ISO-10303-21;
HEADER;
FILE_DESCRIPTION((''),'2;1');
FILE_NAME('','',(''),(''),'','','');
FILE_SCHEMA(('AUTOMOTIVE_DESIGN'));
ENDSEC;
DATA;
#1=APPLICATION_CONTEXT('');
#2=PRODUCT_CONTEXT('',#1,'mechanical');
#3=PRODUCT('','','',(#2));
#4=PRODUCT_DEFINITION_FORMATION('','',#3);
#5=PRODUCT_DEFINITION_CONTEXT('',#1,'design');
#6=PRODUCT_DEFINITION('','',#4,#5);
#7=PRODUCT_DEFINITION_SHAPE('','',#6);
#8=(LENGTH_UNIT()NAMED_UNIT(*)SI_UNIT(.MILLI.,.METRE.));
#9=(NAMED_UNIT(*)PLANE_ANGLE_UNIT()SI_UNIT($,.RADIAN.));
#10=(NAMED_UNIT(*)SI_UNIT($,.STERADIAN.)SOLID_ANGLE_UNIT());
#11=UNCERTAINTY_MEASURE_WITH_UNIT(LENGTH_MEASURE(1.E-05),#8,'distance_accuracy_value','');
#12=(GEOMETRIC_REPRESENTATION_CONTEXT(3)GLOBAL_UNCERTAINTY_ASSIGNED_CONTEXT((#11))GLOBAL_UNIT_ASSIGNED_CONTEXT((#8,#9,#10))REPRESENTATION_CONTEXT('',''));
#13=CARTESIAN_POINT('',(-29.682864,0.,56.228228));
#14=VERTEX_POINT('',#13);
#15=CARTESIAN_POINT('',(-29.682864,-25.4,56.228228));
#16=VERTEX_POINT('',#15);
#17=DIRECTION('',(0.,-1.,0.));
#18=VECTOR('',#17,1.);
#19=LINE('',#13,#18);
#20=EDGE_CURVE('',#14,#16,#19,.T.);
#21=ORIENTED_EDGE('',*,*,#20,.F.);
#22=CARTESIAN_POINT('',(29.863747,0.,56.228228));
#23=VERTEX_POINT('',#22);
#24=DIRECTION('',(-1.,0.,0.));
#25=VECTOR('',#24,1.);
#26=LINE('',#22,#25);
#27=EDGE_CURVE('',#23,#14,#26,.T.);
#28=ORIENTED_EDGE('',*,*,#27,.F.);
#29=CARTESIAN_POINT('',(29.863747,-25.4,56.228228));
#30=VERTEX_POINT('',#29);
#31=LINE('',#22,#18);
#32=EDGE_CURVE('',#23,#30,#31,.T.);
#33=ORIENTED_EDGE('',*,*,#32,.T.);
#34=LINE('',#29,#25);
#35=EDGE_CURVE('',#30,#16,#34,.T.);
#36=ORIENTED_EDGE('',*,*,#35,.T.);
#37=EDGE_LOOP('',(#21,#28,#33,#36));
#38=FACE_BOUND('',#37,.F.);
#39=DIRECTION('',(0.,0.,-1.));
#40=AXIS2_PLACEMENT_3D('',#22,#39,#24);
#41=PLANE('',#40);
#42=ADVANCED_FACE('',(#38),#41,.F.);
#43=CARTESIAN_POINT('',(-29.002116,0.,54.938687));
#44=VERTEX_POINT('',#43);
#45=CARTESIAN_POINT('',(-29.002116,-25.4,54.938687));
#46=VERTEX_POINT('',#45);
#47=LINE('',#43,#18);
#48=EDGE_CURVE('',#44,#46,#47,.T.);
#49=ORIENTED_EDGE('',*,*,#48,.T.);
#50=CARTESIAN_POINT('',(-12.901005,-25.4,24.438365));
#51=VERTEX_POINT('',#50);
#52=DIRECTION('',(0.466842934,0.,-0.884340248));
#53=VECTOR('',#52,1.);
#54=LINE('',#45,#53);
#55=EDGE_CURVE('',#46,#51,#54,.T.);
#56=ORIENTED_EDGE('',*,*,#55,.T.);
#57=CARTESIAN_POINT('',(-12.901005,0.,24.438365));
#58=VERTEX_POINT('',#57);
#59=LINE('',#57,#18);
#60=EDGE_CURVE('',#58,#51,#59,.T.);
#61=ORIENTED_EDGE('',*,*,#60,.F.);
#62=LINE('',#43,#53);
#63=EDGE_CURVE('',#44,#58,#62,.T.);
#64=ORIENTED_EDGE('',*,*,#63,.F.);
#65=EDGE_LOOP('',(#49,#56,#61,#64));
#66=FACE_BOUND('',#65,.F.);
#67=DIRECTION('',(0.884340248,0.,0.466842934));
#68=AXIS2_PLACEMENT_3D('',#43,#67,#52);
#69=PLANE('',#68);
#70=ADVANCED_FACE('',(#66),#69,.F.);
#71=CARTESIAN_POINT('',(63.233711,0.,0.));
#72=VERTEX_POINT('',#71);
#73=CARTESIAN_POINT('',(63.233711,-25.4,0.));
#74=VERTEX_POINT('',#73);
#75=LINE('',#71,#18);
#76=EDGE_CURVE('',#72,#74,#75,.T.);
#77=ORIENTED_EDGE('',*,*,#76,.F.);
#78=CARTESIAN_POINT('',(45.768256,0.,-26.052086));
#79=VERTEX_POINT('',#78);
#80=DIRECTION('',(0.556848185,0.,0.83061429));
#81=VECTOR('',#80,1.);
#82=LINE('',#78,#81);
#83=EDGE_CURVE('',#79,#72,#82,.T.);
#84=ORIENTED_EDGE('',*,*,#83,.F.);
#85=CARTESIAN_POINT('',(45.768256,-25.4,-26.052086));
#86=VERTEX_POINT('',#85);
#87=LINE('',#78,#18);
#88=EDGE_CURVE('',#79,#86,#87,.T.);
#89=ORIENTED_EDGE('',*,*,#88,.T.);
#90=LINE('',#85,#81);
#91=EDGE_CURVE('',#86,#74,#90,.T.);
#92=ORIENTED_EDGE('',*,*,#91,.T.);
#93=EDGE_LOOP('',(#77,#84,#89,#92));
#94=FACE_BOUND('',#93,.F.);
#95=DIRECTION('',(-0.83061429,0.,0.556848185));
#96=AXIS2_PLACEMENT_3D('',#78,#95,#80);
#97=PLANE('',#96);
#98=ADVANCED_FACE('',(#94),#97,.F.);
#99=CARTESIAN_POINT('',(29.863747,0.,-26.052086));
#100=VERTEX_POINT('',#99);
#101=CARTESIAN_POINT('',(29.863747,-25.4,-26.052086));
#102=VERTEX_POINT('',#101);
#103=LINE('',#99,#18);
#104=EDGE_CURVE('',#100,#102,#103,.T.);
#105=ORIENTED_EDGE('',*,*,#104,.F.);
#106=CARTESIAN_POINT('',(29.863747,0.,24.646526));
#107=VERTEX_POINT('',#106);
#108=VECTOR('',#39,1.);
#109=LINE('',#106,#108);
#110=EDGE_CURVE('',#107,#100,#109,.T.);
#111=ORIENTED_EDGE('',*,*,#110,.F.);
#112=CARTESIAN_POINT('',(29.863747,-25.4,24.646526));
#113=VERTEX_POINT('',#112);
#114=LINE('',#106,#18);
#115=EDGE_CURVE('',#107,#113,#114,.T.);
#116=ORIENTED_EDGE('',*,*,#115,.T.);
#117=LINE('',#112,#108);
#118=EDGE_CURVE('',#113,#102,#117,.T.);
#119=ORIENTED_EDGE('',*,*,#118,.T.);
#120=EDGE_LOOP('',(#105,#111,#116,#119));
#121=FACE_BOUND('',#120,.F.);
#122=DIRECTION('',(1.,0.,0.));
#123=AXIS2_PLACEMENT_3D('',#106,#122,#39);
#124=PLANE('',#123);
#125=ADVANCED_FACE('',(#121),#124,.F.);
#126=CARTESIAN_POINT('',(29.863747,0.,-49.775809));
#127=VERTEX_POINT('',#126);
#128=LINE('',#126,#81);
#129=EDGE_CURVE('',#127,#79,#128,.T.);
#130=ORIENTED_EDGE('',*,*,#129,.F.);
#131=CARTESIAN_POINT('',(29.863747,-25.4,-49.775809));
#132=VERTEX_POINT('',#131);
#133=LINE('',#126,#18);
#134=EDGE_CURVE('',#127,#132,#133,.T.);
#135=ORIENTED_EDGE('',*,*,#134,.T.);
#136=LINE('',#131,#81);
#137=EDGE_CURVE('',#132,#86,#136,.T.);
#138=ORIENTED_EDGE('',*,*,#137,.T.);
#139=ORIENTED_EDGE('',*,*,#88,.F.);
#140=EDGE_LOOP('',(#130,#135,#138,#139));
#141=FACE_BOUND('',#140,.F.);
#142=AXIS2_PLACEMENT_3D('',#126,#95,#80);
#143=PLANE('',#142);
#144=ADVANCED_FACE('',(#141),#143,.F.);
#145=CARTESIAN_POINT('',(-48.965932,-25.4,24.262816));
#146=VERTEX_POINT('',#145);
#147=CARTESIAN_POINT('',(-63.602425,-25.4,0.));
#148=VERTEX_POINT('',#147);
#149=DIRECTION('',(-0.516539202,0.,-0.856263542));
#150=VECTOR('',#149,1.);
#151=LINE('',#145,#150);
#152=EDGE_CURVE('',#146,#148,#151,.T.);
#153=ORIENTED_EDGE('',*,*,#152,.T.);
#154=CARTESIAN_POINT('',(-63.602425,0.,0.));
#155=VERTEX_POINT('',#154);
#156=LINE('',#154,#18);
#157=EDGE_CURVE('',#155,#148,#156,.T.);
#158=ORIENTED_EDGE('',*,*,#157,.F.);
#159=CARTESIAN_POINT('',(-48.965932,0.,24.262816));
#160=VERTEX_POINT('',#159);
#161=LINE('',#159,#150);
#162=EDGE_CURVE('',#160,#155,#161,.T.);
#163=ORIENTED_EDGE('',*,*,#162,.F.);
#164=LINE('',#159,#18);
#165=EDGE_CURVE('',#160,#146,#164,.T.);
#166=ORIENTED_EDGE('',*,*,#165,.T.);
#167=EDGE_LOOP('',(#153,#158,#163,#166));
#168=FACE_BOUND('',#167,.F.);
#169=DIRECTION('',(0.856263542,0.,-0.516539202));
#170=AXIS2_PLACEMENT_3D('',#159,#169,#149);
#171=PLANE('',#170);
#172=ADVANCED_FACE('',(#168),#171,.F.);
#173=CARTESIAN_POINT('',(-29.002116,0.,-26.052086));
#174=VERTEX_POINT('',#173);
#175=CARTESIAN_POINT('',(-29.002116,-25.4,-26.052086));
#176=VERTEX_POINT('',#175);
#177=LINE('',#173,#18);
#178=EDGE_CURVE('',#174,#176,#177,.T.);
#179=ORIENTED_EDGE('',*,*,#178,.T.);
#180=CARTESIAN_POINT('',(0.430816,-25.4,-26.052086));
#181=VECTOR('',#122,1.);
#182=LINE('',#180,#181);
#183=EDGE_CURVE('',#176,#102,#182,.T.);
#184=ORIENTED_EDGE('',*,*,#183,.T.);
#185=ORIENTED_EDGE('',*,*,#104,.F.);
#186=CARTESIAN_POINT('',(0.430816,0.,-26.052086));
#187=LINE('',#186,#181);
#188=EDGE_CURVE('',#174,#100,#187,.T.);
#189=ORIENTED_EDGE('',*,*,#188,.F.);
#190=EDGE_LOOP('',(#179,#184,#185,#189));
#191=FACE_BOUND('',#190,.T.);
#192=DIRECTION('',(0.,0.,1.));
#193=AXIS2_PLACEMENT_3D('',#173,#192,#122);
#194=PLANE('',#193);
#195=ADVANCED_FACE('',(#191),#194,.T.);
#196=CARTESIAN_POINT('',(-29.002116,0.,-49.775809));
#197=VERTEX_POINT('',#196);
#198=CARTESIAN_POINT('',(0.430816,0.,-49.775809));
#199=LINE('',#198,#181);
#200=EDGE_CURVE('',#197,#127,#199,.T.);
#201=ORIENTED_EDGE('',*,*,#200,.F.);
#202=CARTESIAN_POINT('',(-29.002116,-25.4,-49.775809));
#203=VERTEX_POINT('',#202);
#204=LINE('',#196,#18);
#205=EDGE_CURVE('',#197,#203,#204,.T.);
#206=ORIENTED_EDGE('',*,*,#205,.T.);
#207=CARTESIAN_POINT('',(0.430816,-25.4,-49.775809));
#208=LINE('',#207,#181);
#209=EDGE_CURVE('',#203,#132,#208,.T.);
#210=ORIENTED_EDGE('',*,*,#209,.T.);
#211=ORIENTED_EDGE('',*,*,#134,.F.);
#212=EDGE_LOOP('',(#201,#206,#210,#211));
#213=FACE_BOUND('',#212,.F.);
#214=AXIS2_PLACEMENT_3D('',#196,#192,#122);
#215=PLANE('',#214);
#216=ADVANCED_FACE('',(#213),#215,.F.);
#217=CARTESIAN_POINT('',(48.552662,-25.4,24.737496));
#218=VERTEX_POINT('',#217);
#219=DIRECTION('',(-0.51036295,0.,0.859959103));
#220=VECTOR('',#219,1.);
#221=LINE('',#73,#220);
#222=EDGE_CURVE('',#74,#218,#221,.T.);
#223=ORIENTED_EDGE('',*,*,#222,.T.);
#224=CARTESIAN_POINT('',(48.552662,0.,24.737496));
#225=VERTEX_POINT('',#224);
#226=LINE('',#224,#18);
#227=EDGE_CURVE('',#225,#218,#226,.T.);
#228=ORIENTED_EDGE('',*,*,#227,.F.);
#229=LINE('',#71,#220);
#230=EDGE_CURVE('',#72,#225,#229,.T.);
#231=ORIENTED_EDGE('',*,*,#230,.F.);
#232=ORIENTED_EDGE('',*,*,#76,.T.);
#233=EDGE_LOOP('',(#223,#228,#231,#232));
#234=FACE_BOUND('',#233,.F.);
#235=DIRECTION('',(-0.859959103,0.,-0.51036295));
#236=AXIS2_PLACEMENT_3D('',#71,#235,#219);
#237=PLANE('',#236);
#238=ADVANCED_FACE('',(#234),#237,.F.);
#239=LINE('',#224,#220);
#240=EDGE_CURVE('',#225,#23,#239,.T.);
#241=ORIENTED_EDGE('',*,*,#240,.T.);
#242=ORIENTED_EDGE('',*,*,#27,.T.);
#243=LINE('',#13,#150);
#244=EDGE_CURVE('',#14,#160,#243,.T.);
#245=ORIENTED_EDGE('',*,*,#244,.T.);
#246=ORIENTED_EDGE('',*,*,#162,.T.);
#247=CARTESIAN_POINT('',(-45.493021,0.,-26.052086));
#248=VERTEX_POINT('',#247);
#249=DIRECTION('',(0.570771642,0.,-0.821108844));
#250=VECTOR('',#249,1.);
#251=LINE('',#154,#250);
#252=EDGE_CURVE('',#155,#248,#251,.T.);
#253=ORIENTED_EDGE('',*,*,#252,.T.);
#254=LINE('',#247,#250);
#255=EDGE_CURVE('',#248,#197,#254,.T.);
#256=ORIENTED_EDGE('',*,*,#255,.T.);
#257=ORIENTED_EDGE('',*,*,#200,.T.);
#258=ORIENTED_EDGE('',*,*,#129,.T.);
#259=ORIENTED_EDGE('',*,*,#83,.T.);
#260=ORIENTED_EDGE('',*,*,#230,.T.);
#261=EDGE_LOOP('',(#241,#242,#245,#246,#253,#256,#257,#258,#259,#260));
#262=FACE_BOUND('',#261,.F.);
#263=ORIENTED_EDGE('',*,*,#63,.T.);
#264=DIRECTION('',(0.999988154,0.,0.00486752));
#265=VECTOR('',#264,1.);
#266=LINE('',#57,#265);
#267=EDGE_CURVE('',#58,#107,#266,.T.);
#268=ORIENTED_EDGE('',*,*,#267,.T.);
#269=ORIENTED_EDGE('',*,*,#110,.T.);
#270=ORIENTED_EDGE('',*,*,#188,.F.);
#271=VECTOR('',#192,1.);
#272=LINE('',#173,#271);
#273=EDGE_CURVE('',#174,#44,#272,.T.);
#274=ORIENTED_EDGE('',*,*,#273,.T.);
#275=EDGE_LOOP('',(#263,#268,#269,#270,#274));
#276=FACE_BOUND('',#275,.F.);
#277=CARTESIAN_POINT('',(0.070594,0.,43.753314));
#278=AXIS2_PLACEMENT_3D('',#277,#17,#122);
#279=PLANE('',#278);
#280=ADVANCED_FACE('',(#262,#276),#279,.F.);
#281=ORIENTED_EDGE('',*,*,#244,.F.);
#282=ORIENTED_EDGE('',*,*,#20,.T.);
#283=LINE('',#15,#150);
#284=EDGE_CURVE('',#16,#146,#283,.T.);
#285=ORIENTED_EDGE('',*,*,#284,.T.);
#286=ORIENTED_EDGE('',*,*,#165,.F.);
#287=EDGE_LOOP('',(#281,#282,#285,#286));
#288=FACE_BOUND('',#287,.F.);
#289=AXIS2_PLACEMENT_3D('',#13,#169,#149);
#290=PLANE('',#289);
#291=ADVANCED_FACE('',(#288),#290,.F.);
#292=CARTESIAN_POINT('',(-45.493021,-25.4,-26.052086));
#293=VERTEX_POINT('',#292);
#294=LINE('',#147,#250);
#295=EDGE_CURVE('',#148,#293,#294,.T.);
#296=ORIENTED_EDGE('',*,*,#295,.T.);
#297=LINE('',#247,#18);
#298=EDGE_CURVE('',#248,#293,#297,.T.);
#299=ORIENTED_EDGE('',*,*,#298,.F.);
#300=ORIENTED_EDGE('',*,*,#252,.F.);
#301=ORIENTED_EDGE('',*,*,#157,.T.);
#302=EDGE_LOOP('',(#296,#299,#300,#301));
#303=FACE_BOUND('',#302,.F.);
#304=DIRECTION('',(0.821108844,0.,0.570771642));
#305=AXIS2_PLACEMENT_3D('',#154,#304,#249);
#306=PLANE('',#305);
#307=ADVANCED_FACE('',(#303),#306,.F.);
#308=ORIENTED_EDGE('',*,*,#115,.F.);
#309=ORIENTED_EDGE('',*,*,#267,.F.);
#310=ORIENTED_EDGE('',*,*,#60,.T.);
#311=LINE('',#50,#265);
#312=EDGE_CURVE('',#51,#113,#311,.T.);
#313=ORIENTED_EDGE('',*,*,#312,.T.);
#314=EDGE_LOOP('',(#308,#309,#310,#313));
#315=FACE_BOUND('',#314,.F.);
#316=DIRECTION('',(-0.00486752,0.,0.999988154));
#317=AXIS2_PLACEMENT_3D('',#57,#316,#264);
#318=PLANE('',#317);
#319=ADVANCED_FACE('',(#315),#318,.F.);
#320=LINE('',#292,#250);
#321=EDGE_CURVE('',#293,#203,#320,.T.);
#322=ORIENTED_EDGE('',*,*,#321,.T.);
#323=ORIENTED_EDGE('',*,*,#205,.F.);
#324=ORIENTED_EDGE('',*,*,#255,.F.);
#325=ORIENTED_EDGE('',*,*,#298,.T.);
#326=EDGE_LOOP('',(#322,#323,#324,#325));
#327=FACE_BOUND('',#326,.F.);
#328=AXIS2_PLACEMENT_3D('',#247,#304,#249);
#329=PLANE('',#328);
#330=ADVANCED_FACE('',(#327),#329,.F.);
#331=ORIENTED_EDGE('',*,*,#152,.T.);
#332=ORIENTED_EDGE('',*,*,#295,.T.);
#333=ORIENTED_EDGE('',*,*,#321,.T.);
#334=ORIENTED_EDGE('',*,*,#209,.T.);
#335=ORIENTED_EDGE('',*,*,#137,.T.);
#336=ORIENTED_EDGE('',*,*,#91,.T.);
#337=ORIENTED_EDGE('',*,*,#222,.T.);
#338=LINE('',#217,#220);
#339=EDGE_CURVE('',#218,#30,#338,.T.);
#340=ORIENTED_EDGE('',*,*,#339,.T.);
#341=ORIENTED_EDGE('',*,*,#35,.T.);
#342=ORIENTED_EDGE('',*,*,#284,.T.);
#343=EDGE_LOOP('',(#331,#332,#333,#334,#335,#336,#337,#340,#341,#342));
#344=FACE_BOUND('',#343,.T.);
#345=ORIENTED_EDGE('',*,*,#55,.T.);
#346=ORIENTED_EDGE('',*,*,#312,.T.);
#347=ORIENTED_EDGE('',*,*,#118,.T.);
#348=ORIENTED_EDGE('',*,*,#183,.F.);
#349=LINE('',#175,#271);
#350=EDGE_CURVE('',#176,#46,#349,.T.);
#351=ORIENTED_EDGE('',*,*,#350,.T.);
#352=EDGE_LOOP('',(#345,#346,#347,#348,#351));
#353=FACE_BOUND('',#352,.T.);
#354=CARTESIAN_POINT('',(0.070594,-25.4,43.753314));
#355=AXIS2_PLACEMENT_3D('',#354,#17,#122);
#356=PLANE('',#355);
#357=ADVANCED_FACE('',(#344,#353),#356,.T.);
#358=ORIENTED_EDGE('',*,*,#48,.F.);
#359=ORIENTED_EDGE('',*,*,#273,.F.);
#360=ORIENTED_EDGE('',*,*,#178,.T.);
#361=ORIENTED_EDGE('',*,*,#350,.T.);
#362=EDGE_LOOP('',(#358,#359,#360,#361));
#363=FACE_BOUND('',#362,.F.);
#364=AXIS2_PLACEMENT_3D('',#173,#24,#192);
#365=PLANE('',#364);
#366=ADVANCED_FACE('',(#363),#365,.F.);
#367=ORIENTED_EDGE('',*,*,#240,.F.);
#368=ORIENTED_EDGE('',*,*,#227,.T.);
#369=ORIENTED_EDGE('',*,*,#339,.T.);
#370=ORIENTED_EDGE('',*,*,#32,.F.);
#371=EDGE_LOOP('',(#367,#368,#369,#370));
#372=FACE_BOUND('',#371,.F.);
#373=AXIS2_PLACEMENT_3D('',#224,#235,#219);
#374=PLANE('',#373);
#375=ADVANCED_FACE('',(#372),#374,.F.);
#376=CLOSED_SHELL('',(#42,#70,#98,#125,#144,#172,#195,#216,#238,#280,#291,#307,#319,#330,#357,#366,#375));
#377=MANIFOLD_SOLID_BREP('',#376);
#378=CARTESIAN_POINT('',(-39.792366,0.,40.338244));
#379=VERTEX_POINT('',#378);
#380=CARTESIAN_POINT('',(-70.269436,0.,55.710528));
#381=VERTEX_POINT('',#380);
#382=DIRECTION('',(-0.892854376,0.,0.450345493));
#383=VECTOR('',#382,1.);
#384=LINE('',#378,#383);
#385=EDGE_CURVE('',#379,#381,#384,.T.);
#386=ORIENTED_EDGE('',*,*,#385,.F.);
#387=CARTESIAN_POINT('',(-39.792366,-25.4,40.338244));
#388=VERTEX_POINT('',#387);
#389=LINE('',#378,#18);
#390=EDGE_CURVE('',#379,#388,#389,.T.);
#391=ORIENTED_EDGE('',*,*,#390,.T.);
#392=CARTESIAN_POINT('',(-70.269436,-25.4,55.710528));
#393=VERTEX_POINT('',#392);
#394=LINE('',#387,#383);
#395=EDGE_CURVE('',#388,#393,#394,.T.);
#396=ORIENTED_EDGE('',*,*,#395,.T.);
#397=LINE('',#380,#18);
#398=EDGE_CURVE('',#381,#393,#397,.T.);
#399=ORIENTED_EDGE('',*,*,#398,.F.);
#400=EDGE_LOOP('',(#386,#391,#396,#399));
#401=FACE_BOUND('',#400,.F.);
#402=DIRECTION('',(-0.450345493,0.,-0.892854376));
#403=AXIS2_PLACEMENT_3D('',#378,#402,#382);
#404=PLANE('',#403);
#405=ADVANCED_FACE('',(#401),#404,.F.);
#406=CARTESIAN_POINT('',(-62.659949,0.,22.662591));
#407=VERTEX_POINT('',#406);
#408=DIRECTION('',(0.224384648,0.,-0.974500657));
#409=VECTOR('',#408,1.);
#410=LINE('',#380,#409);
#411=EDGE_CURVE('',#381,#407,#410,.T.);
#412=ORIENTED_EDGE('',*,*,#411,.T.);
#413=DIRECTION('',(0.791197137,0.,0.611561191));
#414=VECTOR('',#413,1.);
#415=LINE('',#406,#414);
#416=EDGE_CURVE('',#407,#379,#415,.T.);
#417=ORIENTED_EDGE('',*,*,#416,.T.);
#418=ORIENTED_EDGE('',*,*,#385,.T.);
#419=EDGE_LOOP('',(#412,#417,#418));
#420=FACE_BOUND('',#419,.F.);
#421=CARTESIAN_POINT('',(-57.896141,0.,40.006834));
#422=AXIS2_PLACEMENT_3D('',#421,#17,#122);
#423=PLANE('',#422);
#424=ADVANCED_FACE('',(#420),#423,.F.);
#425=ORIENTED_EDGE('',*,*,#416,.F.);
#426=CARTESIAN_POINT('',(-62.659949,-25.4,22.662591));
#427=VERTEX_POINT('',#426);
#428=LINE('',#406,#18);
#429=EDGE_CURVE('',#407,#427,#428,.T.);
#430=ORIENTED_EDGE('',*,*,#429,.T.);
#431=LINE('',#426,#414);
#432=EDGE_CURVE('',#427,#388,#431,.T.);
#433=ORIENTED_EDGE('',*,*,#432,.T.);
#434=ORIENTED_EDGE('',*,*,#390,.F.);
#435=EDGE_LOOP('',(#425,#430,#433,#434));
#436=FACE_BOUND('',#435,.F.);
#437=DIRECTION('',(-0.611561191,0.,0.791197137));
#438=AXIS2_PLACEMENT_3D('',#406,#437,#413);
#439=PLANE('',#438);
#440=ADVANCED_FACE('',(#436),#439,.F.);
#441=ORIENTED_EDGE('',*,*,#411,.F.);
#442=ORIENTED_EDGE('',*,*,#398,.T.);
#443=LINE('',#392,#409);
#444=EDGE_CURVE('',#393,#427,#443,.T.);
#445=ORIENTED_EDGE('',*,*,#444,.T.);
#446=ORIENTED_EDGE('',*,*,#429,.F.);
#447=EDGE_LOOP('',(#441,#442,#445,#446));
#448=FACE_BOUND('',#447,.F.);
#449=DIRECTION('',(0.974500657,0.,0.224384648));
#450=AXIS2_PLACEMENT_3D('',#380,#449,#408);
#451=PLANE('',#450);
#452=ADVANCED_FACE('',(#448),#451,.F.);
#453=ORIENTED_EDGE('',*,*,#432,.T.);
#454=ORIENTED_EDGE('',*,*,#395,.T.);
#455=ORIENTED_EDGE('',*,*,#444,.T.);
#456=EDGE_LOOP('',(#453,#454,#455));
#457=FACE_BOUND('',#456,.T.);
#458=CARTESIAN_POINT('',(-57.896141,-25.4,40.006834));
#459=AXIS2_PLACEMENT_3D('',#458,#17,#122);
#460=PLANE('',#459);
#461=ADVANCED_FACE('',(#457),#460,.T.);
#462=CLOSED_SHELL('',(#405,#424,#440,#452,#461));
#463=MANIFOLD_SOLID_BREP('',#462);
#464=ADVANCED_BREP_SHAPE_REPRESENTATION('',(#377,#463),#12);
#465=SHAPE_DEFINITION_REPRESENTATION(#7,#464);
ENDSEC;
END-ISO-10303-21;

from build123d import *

# Parameters (mm, degrees)
F0_W     = 58.8658623485
F0_H     = 23.7237234095
F1_DEPTH = 25.4
F3_DEPTH = 25.4


with BuildPart() as f1:
    # F0 (on Front) → F1 (new body)
    with BuildSketch(Plane.XZ):
        Polygon((-12.9010052122, 24.4383652977), (13.0467035291, 24.5646677746), (29.8637468368, 56.2282279134), (-29.6828635037, 56.2282279134), (-29.0021155117, 54.9386874606), align=None)
        Polygon((29.8637468368, 56.2282279134), (13.0467035291, 24.5646677746), (29.8637468368, 24.6465260321), align=None)
        Polygon((48.5526622897, 24.7374957719), (29.8637468368, 56.2282279134), (29.8637468368, 24.6465260321), align=None)
        Polygon((48.5526622897, 24.7374957719), (29.8637468368, 24.6465260321), (29.8637468368, 14.6445052485), align=None)
        Polygon((-29.0021155117, 24.3599918995), (-29.0021155117, 54.9386874606), (-29.6828635037, 56.2282279134), (-48.9659315296, 24.2628164827), align=None)
        Polygon((-29.0021155117, 13.659701827), (-29.0021155117, 24.3599918995), (-48.9659315296, 24.2628164827), align=None)
        Polygon((63.2337108254, 0), (48.5526622897, 24.7374957719), (29.8637468368, 14.6445052485), (29.8637468368, -17.6049365182), (45.7682556929, -26.0520856401), align=None)
        Polygon((-29.0021155117, -17.1461351622), (-29.0021155117, 13.659701827), (-48.9659315296, 24.2628164827), (-63.602425158, 0), (-45.493021267, -26.0520856401), align=None)
        Polygon((45.7682556929, -26.0520856401), (29.8637468368, -17.6049365182), (29.8637468368, -26.0520856401), align=None)
        Polygon((-29.0021155117, -26.0520856401), (-29.0021155117, -17.1461351622), (-45.493021267, -26.0520856401), align=None)
        Polygon((29.8637468368, -49.7758090496), (45.7682556929, -26.0520856401), (29.8637468368, -26.0520856401), align=None)
        with Locations((0.4308156625, -37.9139473449)):
            Rectangle(F0_W, F0_H)
        Polygon((-29.0021155117, -49.7758090496), (-29.0021155117, -26.0520856401), (-45.493021267, -26.0520856401), align=None)
    extrude(amount=F1_DEPTH)


with BuildPart() as f3:
    # F2 (on Front) → F3 (new body)
    with BuildSketch(Plane.XZ):
        Polygon((-70.2694356441, 55.7105280459), (-62.6599490643, 22.6625911891), (-39.7923663259, 40.3382442892), align=None)
    extrude(amount=F3_DEPTH)


solid = Compound([f1.part, f3.part])
